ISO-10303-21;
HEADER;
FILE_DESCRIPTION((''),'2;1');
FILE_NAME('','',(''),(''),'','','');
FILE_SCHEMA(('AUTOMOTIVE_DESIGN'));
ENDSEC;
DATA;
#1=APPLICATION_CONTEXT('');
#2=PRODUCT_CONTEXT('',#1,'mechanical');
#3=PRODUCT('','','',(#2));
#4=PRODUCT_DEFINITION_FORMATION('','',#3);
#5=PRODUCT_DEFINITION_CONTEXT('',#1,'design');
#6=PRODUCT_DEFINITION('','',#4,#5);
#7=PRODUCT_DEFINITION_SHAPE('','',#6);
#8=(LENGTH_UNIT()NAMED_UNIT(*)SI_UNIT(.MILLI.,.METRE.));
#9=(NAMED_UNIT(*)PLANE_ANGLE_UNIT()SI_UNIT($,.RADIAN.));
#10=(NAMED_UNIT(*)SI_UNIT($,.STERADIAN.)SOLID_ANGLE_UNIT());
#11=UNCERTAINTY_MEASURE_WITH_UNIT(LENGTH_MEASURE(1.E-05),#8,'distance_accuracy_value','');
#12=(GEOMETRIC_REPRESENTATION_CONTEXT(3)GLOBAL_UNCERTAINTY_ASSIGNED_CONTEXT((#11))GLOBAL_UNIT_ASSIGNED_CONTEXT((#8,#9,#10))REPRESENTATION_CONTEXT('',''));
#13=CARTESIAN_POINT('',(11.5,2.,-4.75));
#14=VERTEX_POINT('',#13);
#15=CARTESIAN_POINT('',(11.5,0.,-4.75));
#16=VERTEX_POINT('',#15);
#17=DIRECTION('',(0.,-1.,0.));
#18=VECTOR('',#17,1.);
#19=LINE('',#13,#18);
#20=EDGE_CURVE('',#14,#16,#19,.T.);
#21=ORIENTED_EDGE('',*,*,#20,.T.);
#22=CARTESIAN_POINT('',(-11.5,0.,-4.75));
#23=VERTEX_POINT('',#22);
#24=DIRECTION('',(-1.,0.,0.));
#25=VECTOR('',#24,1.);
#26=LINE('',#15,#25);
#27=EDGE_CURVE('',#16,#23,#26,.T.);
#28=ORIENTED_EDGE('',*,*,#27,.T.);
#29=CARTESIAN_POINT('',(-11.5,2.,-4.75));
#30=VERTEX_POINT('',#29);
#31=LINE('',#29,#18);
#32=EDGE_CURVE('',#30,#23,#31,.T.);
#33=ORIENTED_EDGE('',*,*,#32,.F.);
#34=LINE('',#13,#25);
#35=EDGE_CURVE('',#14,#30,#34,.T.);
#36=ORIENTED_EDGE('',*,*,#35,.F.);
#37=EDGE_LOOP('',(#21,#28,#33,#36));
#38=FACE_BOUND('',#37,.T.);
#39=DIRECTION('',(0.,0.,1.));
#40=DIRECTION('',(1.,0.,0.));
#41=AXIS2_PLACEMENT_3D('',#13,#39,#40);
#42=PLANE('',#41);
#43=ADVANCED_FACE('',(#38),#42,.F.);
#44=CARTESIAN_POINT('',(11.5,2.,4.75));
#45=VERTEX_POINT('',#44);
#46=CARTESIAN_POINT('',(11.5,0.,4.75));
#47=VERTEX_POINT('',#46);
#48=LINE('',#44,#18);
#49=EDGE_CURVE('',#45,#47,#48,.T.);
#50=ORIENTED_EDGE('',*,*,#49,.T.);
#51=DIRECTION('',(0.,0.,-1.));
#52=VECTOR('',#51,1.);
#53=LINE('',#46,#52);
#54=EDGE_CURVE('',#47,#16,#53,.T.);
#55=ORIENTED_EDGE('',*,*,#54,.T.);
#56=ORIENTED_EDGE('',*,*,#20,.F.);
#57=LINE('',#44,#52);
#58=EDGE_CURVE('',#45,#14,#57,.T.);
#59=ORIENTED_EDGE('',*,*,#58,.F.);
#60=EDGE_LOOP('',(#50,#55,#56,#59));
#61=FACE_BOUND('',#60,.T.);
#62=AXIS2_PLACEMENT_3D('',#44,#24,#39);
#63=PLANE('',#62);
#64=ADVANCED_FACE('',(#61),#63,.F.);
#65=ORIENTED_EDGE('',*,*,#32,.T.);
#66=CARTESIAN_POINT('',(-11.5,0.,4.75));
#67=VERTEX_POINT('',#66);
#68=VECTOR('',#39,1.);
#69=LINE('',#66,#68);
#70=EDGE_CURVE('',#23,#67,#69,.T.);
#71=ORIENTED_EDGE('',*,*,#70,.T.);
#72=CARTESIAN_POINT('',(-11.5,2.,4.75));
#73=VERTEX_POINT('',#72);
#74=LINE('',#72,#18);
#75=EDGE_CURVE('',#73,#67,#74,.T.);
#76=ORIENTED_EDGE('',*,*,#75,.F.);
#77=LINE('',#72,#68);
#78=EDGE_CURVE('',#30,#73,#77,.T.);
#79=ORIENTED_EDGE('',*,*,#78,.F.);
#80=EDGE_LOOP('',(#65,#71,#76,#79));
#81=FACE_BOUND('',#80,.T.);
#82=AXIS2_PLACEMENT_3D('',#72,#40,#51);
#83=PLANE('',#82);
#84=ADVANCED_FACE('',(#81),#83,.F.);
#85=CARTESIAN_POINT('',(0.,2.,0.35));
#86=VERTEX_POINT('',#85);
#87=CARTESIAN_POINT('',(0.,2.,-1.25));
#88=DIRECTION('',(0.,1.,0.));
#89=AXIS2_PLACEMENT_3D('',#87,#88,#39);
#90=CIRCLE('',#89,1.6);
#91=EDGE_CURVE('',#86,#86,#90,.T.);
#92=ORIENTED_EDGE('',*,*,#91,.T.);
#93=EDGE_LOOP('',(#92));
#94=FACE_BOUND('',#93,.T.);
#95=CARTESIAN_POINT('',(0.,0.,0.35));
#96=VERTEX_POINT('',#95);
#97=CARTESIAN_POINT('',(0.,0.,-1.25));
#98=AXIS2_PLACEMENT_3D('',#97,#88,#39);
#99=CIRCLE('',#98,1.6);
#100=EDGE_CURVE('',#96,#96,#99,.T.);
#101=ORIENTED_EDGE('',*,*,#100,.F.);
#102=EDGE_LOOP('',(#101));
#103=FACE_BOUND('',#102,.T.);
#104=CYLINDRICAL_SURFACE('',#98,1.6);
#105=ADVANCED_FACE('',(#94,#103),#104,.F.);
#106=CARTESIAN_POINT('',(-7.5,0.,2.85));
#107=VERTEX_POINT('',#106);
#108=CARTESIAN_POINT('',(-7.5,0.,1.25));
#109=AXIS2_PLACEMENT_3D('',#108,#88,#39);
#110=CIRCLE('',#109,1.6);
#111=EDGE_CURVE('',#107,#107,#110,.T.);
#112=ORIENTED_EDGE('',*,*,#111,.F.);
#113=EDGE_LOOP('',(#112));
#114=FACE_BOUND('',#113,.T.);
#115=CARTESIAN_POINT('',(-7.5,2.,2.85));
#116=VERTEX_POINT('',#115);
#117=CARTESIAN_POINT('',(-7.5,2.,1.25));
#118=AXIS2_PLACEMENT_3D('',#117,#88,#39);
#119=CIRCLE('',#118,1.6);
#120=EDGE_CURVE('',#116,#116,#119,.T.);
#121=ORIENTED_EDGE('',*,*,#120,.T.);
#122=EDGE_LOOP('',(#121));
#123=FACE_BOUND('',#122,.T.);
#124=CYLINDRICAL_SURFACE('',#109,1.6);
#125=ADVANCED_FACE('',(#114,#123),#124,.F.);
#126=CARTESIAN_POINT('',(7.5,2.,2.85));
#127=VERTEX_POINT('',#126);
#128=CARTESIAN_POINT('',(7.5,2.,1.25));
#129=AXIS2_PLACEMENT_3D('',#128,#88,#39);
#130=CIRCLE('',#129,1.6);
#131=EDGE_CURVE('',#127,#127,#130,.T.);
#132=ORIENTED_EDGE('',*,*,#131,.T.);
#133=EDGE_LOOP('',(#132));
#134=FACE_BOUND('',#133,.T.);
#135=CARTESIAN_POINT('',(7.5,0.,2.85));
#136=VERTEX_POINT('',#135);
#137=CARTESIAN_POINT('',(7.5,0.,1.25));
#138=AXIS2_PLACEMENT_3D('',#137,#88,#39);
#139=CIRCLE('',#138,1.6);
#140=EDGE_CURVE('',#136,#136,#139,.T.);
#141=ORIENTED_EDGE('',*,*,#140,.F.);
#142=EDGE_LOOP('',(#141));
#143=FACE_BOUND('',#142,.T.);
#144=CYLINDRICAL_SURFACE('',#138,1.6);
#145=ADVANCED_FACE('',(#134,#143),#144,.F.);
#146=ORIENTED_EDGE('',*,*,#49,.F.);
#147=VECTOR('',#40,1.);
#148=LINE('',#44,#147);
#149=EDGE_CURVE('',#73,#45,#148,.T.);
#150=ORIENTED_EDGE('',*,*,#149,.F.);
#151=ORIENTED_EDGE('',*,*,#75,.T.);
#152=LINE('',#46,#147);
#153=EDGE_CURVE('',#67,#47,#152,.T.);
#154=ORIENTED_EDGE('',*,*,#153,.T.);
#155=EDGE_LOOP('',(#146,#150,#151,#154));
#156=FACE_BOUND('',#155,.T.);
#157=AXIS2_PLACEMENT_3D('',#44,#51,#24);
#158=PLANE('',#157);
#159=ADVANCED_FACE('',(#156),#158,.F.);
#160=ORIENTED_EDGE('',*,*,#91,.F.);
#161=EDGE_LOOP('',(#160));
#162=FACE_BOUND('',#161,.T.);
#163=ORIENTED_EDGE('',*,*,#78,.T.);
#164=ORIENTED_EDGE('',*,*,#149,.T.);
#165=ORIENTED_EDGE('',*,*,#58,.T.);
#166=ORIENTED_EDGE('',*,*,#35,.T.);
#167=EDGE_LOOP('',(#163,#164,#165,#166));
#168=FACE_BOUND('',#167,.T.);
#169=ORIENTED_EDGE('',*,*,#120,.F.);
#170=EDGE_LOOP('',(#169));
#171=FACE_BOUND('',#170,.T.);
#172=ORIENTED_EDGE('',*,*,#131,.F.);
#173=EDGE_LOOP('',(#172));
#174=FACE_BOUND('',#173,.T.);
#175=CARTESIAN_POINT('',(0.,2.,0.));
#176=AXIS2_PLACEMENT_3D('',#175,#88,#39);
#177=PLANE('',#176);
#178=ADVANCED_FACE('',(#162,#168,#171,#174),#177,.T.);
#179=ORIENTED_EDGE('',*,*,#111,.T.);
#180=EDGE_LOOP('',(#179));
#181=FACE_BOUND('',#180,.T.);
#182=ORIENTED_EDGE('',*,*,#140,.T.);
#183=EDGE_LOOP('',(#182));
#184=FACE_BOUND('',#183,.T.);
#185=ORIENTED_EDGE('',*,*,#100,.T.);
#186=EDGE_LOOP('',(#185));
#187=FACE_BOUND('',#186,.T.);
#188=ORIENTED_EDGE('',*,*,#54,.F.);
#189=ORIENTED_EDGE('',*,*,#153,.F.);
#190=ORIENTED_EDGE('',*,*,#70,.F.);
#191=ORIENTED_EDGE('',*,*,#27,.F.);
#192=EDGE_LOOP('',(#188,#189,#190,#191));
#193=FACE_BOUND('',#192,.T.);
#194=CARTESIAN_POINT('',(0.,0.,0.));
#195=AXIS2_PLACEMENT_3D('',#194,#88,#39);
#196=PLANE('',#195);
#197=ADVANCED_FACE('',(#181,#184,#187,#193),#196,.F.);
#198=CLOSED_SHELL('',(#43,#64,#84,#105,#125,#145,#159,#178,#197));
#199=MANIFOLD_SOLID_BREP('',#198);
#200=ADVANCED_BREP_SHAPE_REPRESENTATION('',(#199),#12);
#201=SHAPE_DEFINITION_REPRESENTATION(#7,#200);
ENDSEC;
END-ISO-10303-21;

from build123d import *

# Parameters (mm, degrees)
SKETCH_1_W          = 23
SKETCH_1_H          = 9.5
EXTRUDE_1_DEPTH     = 2
SKETCH_2_R          = 1.6
CUT_EXTRUDE_1_DEPTH = 3


with BuildPart() as part:
    # 草图1 → 凸台-拉伸1 (new body)
    with BuildSketch(Plane(origin=(0, 0, 0), x_dir=(1, 0, 0), z_dir=(0, 1, 0))):
        Rectangle(SKETCH_1_W, SKETCH_1_H)
    extrude(amount=EXTRUDE_1_DEPTH)

    # 草图2 → 切除-拉伸1 (cut, through all)
    with BuildSketch(Plane(origin=(0, 2, 0), x_dir=(1, 0, 0), z_dir=(0, 1, 0))):
        with Locations((-7.5, -1.25)):
            Circle(SKETCH_2_R)
        with Locations((7.5, -1.25)):
            Circle(SKETCH_2_R)
        with Locations((0, 1.25)):
            Circle(SKETCH_2_R)
    extrude(amount=-CUT_EXTRUDE_1_DEPTH, mode=Mode.SUBTRACT)


solid = part.part
